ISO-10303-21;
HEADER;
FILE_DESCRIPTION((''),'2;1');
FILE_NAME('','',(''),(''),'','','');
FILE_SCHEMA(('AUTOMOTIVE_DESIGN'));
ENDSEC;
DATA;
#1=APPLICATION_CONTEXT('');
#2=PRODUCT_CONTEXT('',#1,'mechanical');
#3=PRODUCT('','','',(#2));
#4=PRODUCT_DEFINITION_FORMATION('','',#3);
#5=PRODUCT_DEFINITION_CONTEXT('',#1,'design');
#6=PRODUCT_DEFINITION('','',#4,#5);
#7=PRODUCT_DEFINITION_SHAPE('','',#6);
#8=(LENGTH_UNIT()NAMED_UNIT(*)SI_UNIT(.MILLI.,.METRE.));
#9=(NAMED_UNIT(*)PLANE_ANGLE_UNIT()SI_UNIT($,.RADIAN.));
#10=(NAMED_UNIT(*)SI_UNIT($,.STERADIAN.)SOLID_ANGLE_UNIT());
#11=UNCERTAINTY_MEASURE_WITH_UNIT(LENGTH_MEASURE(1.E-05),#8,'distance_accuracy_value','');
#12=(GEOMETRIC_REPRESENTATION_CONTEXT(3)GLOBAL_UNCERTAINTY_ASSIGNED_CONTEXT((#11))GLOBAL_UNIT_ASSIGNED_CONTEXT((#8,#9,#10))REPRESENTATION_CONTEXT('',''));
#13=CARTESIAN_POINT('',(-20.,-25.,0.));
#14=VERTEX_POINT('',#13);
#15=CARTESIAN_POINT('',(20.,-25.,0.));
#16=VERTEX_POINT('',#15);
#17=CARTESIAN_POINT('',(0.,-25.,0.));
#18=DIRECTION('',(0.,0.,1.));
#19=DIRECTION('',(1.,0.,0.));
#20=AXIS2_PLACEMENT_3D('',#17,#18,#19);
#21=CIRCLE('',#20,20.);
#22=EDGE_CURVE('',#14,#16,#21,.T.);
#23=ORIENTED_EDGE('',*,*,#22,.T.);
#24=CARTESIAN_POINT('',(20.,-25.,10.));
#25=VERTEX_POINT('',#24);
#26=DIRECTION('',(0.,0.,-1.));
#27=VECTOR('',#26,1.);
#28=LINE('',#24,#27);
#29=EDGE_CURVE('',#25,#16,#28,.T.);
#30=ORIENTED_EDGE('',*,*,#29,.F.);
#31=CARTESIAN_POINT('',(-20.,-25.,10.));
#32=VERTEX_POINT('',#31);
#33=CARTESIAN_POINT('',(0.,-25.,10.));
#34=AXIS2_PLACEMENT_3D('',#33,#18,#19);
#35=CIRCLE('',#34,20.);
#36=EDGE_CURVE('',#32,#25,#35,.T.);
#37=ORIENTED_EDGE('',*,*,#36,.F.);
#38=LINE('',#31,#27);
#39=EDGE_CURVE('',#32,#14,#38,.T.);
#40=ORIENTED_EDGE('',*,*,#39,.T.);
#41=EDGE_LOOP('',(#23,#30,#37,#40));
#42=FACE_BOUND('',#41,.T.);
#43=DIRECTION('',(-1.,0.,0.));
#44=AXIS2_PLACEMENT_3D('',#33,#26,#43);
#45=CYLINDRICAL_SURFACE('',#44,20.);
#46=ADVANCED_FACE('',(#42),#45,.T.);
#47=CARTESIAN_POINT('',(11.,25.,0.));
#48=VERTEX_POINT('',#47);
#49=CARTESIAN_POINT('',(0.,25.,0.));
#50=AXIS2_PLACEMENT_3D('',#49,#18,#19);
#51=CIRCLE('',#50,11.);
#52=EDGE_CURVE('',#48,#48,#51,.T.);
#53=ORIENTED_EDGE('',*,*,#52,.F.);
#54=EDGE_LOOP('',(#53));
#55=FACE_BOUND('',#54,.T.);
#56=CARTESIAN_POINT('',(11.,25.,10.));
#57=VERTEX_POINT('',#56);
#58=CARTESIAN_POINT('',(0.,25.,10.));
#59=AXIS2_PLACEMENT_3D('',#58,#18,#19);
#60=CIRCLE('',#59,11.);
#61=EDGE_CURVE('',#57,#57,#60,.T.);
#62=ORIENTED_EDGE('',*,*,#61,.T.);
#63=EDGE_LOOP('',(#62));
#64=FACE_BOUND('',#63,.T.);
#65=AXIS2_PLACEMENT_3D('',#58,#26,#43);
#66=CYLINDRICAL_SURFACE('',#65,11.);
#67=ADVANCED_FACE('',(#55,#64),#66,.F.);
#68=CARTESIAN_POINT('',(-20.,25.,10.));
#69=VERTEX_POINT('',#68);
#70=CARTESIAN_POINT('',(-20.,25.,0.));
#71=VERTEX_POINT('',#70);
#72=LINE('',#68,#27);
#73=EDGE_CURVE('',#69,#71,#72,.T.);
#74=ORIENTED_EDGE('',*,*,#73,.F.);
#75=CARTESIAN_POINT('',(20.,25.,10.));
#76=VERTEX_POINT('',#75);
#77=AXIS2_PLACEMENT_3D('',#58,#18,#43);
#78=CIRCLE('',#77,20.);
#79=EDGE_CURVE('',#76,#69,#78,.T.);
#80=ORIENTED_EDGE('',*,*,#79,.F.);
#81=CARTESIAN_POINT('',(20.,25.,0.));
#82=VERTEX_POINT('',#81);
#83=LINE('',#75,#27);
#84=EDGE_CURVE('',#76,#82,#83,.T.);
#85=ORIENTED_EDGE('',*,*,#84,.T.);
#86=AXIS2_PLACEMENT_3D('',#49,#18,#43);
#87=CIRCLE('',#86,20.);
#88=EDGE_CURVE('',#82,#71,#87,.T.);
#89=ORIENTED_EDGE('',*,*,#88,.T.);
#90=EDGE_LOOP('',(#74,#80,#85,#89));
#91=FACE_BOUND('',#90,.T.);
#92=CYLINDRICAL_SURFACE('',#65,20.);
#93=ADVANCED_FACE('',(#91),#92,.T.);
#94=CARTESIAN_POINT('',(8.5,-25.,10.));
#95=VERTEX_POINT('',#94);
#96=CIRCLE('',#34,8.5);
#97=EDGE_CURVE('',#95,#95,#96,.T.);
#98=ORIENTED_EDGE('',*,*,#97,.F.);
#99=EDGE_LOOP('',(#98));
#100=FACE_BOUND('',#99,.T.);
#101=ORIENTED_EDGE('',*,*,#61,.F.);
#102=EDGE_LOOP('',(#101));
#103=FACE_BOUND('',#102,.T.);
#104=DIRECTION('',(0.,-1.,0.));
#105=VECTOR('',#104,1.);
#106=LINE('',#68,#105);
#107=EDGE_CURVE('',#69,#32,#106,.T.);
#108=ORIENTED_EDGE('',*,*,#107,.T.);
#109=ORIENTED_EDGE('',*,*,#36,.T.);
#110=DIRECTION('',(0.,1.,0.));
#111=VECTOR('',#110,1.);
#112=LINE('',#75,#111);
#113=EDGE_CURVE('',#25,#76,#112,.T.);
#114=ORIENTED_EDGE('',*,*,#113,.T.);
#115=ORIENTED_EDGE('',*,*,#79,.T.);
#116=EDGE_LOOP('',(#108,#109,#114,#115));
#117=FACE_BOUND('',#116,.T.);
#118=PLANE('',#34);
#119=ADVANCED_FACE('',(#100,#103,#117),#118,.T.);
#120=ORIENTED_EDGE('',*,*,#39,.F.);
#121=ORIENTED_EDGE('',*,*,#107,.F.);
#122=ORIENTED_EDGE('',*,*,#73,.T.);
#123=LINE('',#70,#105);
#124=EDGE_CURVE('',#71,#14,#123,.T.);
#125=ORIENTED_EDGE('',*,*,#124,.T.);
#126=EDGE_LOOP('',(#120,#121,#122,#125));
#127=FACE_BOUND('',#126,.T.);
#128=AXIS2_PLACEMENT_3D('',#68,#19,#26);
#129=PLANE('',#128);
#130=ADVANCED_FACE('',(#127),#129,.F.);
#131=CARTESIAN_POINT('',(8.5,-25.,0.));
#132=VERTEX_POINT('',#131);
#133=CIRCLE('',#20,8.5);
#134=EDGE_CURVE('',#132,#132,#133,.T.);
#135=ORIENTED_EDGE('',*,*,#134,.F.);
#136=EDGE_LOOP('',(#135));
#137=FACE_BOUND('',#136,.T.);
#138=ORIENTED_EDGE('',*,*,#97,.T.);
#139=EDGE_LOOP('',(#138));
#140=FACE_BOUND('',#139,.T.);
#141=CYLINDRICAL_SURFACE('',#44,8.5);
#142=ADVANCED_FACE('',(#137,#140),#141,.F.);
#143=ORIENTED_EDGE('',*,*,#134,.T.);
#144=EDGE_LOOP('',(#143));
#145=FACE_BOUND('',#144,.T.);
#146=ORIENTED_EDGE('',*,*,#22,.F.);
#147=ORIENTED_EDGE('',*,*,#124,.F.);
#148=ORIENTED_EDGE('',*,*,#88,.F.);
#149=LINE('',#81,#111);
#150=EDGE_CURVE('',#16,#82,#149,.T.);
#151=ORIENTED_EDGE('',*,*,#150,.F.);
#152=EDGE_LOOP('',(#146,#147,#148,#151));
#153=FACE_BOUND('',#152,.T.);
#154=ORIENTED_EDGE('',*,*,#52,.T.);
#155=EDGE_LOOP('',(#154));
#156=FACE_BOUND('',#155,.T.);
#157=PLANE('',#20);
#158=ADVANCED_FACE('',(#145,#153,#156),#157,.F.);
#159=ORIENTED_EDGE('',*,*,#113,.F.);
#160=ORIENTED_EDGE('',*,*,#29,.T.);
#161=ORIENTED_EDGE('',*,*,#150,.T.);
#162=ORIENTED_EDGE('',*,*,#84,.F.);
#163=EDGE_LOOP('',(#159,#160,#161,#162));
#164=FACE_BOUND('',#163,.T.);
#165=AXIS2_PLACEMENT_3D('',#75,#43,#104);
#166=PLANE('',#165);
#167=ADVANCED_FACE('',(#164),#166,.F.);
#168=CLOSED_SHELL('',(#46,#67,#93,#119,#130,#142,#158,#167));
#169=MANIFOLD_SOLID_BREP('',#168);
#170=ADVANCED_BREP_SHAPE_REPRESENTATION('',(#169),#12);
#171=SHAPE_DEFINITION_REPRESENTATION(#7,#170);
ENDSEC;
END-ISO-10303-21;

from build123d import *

# Parameters (mm, degrees)
SKETCH1_R           = 11
SKETCH1_R_2         = 8.5
BOSS_EXTRUDE1_DEPTH = 10


with BuildPart() as part:
    # Sketch1 → Boss-Extrude1 (new body)
    with BuildSketch(Plane.XY):
        with BuildLine():
            Line((20, 25), (20, -25))
            ThreePointArc((20, -25), (0, -45), (-20, -25))
            Line((-20, -25), (-20, 25))
            ThreePointArc((-20, 25), (0, 45), (20, 25))
        make_face()
        with Locations((0, 25)):
            Circle(SKETCH1_R, mode=Mode.SUBTRACT)
        with Locations((0, -25)):
            Circle(SKETCH1_R_2, mode=Mode.SUBTRACT)
    extrude(amount=BOSS_EXTRUDE1_DEPTH)


solid = part.part
